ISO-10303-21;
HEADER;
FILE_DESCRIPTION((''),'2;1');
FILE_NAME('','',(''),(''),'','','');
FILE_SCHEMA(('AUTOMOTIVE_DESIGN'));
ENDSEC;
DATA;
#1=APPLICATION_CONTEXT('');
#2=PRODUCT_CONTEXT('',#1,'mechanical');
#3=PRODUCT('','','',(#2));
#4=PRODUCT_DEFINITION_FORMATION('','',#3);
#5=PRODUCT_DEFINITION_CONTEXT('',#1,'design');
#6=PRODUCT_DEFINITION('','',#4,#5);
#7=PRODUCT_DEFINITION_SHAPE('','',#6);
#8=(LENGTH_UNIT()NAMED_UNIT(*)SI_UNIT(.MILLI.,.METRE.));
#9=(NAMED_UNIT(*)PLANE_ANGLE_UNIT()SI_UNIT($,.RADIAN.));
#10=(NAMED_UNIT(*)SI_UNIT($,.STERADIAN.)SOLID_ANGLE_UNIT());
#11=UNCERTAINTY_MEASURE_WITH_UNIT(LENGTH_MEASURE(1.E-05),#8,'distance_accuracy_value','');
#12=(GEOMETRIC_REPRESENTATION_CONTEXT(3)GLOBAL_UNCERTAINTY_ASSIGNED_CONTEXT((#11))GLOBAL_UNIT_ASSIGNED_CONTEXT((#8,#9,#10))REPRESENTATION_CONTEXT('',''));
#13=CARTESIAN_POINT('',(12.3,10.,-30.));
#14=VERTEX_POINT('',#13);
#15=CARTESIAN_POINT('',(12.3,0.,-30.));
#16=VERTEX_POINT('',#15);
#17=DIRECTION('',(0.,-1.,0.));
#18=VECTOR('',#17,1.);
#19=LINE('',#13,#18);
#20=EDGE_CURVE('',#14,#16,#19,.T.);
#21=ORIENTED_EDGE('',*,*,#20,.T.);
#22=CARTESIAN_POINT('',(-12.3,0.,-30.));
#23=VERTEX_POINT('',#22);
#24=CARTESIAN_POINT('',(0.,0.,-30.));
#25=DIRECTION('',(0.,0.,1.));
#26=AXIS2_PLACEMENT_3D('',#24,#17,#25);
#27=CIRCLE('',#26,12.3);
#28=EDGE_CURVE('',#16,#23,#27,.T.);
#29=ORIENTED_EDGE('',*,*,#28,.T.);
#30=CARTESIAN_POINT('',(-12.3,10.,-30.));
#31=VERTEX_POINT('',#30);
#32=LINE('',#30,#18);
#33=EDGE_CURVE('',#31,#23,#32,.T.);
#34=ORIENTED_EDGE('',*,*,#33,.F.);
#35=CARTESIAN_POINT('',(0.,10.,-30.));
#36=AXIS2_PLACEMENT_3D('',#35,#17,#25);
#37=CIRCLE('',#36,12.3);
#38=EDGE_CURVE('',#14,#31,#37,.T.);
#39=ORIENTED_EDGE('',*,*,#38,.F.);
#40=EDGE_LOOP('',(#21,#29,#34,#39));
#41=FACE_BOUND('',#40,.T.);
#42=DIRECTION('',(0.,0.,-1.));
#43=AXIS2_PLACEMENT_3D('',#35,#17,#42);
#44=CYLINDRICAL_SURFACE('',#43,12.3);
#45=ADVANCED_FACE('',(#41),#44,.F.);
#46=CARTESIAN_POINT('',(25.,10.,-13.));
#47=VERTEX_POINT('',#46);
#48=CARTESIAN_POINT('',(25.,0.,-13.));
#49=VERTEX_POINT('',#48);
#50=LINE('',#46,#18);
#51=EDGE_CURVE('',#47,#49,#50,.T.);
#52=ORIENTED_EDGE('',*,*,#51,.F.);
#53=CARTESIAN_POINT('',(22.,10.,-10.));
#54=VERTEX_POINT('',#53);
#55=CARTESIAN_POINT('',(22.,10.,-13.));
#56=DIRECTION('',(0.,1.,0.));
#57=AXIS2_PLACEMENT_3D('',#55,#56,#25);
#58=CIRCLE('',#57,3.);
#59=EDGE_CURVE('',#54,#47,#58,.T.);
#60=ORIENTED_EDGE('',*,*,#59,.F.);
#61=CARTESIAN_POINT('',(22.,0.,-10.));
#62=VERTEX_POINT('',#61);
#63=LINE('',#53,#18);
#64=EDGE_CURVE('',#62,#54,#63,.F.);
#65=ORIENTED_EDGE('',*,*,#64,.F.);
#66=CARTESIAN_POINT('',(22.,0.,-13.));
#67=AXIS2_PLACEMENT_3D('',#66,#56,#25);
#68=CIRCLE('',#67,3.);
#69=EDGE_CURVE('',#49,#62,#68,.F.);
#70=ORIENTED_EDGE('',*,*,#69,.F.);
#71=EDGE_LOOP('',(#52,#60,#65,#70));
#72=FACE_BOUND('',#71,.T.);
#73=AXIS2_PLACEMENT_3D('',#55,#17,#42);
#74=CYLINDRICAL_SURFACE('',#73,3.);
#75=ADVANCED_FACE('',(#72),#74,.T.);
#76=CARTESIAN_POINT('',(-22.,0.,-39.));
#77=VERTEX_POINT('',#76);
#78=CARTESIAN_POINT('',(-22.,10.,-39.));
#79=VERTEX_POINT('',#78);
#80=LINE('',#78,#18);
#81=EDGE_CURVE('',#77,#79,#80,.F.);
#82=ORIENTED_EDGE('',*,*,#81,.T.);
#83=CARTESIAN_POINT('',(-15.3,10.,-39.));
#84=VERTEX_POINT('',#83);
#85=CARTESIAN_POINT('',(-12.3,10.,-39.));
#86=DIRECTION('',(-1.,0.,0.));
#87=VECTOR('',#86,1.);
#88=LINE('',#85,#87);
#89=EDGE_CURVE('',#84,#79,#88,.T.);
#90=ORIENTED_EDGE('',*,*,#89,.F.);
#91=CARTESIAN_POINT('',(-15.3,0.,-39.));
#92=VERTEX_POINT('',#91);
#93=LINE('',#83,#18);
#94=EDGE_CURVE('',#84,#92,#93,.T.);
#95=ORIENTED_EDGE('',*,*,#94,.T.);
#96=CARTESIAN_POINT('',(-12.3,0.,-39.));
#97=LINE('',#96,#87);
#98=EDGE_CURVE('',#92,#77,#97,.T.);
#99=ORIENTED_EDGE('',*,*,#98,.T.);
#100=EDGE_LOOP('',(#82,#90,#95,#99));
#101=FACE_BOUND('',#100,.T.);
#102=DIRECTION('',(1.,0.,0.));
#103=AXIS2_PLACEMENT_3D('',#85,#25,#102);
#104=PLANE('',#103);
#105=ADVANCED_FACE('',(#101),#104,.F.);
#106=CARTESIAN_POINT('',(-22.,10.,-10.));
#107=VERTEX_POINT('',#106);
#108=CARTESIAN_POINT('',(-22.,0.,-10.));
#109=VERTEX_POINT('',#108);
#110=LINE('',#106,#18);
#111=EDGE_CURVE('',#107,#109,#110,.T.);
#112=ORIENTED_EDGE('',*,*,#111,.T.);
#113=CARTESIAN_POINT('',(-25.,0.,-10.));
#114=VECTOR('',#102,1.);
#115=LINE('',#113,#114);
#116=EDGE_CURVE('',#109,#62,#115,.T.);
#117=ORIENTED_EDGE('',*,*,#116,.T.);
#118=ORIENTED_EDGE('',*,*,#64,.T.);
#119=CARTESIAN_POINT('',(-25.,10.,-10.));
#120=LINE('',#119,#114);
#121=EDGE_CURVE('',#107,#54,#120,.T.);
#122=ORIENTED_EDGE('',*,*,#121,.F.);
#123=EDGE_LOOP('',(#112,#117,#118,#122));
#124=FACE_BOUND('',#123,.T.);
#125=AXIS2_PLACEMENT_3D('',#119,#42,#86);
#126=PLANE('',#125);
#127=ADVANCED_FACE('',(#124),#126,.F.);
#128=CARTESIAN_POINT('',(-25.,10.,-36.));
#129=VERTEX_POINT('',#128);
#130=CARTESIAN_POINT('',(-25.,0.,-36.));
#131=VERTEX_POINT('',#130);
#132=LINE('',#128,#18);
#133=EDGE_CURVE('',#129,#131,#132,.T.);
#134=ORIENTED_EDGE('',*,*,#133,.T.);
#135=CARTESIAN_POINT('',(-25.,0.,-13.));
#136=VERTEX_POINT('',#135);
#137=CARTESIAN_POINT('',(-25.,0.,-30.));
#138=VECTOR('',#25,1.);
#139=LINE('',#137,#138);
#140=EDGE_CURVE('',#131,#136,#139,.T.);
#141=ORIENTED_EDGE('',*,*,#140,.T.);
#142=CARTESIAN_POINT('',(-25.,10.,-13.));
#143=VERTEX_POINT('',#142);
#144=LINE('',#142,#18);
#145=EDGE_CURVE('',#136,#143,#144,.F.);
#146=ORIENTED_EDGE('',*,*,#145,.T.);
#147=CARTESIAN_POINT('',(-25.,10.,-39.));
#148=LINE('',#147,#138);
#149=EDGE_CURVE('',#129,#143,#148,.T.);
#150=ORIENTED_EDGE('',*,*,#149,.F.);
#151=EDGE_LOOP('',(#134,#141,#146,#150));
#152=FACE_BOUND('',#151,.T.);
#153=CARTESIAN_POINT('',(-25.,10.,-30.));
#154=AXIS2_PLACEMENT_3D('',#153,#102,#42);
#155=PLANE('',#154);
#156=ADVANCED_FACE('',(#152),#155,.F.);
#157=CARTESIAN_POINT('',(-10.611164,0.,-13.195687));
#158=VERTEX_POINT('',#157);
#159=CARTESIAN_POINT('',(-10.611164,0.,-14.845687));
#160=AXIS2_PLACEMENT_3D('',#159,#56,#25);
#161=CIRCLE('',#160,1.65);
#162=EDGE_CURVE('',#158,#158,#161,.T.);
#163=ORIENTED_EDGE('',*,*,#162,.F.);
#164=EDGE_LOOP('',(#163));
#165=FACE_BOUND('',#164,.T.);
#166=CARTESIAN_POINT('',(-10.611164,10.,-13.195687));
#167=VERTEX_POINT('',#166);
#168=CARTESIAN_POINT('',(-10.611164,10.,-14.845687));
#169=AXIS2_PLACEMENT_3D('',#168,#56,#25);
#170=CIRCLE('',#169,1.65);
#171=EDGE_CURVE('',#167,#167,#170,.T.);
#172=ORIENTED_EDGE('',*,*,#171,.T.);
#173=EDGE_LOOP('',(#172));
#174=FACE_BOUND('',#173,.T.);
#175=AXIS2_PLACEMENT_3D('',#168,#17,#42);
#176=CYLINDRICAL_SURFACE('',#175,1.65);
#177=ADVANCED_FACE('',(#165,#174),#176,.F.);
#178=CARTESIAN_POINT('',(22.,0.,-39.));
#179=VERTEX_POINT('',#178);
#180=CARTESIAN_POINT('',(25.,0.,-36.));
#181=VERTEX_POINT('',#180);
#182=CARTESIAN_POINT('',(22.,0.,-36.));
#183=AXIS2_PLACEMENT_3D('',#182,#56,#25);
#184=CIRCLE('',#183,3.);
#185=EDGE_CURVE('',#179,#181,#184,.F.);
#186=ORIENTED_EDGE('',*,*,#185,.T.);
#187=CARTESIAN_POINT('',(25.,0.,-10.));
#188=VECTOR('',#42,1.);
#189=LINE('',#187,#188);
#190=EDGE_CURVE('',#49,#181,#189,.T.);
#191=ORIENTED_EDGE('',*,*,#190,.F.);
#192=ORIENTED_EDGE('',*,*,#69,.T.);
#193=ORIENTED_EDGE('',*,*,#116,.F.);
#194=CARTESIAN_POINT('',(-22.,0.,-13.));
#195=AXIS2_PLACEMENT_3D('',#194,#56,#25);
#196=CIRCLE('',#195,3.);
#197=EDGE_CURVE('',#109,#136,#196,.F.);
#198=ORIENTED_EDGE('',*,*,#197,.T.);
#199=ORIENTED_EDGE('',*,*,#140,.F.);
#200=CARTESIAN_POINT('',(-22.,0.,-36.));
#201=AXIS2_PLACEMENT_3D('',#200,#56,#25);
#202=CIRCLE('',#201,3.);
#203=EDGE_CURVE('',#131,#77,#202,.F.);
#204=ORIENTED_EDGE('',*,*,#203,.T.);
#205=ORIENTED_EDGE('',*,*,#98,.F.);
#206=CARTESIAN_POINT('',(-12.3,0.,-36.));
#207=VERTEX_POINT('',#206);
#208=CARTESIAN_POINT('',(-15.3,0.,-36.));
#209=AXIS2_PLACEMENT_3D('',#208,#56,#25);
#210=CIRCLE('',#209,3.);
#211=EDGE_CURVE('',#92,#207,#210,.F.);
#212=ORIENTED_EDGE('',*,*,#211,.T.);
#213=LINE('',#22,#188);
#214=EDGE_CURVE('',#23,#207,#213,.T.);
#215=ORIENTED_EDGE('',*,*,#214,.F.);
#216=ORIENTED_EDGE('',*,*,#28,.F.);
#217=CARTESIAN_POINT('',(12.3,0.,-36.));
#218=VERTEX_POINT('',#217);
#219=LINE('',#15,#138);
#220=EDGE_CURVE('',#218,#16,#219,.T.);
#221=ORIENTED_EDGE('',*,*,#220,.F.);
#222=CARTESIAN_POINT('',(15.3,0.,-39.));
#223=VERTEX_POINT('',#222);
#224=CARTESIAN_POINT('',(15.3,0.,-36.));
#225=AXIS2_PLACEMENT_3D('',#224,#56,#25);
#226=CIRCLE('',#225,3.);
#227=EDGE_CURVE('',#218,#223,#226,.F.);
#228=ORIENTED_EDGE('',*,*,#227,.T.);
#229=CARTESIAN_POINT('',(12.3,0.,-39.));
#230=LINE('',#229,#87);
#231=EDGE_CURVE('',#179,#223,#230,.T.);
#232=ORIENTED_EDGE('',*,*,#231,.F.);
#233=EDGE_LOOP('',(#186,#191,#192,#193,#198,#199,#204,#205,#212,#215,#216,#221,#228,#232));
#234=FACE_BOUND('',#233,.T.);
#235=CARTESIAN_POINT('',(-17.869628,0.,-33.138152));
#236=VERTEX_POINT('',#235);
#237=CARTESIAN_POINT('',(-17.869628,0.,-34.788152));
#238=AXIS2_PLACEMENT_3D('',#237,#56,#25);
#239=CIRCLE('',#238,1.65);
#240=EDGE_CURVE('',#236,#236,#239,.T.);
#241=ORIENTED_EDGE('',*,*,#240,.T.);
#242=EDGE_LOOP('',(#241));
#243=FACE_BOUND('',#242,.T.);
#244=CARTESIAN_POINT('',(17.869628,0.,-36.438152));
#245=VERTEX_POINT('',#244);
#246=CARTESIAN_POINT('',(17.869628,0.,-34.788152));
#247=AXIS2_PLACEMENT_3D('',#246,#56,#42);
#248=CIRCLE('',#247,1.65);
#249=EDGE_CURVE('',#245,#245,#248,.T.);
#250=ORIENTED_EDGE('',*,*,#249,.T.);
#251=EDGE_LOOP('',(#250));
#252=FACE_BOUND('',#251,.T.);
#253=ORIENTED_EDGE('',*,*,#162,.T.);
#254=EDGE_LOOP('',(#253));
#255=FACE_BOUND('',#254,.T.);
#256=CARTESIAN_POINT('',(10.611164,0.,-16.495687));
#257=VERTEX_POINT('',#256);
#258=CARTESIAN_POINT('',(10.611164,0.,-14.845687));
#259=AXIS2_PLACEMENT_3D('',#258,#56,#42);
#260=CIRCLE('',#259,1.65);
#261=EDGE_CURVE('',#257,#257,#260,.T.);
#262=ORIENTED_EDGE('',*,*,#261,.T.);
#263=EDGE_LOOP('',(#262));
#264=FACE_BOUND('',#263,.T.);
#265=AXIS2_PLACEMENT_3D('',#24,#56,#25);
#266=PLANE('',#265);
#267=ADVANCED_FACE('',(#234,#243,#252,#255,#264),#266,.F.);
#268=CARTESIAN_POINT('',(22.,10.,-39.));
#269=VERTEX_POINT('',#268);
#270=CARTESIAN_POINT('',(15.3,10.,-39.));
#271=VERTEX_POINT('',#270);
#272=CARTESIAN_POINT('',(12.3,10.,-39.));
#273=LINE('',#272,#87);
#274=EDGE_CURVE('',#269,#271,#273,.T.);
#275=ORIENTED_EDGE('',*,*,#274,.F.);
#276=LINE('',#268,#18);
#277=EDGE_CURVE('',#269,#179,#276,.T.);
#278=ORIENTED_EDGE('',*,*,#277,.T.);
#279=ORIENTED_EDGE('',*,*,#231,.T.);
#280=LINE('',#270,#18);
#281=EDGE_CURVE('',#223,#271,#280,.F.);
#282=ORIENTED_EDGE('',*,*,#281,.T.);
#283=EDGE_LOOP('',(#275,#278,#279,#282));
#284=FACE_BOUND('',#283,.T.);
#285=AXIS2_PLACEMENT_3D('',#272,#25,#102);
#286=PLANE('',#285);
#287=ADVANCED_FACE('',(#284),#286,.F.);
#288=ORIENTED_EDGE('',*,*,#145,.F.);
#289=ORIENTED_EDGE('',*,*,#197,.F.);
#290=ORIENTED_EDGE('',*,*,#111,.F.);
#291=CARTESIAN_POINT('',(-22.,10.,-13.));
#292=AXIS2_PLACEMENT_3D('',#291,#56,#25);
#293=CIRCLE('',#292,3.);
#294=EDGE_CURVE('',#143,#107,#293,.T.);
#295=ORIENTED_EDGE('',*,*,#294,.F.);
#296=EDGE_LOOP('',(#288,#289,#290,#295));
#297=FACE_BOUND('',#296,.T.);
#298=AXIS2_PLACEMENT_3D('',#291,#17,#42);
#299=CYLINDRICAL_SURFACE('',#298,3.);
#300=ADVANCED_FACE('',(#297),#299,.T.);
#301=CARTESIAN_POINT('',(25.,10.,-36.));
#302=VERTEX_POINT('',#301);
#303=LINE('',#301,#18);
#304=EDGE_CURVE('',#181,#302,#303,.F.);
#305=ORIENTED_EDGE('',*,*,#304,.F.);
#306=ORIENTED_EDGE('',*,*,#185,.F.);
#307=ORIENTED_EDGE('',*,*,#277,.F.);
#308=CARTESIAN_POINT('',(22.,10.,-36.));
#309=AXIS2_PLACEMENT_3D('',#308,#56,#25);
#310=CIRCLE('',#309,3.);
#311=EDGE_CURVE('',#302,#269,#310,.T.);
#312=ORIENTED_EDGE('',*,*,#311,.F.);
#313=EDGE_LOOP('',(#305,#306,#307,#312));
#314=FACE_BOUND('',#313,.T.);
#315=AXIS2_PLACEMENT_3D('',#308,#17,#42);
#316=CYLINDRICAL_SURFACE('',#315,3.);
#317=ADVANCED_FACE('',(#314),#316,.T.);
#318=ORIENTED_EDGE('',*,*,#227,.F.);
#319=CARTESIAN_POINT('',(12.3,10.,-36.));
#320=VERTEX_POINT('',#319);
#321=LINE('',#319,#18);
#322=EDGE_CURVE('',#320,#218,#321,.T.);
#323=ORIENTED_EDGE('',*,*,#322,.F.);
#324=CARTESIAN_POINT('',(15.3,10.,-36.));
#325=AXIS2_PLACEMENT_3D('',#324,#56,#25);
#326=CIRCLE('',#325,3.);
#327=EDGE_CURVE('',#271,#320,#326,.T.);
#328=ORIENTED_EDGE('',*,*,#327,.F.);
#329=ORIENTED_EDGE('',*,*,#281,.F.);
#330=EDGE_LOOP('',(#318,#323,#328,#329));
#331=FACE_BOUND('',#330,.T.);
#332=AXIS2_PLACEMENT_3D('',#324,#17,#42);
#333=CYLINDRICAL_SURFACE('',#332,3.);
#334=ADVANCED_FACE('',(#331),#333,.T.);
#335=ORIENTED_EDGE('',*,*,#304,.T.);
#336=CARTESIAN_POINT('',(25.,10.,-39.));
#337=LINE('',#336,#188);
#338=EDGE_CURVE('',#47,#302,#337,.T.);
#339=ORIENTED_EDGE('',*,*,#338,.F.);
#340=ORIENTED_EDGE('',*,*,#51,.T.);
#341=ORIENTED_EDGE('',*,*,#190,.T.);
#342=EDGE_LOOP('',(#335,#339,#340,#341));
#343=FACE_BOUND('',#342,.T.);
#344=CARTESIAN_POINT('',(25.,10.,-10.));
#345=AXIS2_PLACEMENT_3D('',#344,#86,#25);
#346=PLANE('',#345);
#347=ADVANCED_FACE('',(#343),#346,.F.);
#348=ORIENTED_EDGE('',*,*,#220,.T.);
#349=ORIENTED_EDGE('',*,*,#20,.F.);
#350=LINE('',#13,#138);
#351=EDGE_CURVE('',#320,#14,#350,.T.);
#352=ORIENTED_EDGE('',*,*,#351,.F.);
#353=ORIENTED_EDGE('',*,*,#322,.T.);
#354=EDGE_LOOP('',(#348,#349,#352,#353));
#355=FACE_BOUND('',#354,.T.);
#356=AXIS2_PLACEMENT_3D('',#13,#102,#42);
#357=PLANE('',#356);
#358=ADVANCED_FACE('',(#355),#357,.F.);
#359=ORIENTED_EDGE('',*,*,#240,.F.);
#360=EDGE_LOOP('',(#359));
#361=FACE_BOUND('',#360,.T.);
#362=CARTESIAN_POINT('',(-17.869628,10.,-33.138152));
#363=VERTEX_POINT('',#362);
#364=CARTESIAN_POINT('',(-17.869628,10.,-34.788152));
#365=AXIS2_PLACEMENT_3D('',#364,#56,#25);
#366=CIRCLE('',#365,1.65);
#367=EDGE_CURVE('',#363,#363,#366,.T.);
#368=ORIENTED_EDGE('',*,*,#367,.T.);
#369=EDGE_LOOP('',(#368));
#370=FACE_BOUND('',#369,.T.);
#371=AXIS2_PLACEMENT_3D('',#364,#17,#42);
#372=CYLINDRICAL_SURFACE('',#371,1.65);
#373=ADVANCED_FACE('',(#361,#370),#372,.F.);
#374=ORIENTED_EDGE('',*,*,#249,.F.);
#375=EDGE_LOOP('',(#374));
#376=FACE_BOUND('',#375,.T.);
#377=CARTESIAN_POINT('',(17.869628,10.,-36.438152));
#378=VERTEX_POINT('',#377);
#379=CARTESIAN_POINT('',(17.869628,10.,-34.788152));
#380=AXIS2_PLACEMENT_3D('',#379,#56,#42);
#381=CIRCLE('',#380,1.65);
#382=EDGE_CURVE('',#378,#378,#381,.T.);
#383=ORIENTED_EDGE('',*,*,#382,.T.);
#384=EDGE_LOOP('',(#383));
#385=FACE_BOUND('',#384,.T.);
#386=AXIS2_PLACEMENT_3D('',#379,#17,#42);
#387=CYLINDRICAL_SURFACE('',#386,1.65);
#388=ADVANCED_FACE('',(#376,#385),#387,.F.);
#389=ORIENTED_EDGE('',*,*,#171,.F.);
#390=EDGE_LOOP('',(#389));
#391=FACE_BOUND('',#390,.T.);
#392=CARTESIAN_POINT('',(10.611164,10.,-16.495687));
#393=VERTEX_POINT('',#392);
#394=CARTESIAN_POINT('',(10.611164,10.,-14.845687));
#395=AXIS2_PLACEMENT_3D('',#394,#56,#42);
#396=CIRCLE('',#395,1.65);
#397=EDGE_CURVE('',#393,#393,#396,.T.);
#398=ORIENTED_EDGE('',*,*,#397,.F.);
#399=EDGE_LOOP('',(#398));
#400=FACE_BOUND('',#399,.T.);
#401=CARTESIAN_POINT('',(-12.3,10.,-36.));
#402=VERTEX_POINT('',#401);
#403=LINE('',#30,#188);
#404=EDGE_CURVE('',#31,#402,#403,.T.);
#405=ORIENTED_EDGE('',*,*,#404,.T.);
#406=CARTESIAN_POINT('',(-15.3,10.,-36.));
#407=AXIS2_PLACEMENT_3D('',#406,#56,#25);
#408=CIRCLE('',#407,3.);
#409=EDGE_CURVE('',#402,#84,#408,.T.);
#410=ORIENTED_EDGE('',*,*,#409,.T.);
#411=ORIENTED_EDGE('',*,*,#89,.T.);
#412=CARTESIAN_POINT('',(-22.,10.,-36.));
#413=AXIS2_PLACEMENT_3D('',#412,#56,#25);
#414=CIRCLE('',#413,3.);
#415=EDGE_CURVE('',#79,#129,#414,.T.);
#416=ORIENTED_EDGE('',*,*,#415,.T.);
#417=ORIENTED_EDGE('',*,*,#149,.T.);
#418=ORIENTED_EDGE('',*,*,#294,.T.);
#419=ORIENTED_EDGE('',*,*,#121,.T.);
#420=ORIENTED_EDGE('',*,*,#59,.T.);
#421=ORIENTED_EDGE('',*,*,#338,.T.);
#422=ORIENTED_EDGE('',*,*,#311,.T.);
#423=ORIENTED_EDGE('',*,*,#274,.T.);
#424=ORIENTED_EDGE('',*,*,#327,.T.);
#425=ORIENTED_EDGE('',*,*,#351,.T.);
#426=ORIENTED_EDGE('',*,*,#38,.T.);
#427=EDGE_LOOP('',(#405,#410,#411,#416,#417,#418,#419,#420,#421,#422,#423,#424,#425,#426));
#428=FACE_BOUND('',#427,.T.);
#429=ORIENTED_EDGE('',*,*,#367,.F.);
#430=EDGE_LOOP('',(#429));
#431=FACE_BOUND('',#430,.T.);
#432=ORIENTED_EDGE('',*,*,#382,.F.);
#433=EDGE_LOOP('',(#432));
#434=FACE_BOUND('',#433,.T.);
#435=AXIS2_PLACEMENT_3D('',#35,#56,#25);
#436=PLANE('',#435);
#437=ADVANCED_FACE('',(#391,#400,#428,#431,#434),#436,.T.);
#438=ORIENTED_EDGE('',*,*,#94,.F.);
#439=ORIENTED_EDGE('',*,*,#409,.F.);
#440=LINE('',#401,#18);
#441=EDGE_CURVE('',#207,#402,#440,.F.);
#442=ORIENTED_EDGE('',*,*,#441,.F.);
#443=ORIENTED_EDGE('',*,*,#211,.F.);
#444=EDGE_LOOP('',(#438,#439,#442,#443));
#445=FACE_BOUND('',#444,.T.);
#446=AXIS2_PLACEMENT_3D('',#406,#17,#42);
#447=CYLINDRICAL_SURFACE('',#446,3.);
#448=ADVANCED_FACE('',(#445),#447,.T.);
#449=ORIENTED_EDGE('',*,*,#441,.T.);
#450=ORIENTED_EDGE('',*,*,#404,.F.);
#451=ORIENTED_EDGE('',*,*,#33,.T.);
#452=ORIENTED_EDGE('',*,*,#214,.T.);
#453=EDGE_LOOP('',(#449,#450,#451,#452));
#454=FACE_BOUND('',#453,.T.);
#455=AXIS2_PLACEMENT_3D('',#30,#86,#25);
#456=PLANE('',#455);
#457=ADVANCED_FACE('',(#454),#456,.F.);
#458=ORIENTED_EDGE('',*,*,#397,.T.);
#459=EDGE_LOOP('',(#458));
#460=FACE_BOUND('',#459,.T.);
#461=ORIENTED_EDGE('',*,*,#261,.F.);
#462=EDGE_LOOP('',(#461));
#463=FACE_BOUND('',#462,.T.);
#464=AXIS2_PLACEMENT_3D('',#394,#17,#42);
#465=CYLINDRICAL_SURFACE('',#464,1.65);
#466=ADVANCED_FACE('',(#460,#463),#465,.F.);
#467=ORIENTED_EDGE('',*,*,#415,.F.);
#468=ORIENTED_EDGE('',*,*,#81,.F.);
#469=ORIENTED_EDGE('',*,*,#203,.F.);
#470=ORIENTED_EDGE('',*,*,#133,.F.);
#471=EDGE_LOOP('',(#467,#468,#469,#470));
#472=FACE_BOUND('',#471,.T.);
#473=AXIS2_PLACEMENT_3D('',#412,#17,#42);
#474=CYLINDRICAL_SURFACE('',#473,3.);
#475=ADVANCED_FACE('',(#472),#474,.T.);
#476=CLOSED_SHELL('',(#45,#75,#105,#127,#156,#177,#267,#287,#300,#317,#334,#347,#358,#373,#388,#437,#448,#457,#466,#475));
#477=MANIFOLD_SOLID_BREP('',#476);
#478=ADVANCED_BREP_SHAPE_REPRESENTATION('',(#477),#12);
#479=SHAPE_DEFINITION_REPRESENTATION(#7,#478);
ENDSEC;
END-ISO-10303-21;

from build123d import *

# Parameters (mm, degrees)
SKETCH_1_R      = 1.65
EXTRUDE_1_DEPTH = 10
FILLET_1_R      = 3


with BuildPart() as part:
    # 草图1 → 凸台-拉伸1 (new body)
    with BuildSketch(Plane(origin=(0, 0, 0), x_dir=(1, 0, 0), z_dir=(0, 1, 0))):
        with BuildLine():
            Line((-25, 30), (-25, 10))
            Line((-25, 10), (25, 10))
            Line((25, 10), (25, 30))
            Line((25, 30), (25, 39))
            Line((25, 39), (12.3, 39))
            Line((12.3, 39), (12.3, 30))
            ThreePointArc((12.3, 30), (0, 17.7), (-12.3, 30))
            Line((-12.3, 30), (-12.3, 39))
            Line((-12.3, 39), (-25, 39))
            Line((-25, 39), (-25, 30))
        make_face()
        with Locations(Location((-10.611164072, 14.845687181, 0), (0, 0, 270))):
            Circle(SKETCH_1_R, mode=Mode.SUBTRACT)
        with Locations(Location((-17.869627786, 34.788152334, 0), (0, 0, 270))):
            Circle(SKETCH_1_R, mode=Mode.SUBTRACT)
        with Locations(Location((10.611164072, 14.845687181, 0), (0, 0, 90))):
            Circle(SKETCH_1_R, mode=Mode.SUBTRACT)
        with Locations(Location((17.869627786, 34.788152334, 0), (0, 0, 90))):
            Circle(SKETCH_1_R, mode=Mode.SUBTRACT)
    extrude(amount=EXTRUDE_1_DEPTH)

    # 圆角1
    fillet_1_edges = [part.edges().sort_by_distance(p)[0] for p in [
        (25, 5, -10),
        (-25, 5, -10),
        (-25, 5, -39),
        (-12.3, 5, -39),
        (12.3, 5, -39),
        (25, 5, -39),
    ]]
    fillet(fillet_1_edges, radius=FILLET_1_R)


solid = part.part
